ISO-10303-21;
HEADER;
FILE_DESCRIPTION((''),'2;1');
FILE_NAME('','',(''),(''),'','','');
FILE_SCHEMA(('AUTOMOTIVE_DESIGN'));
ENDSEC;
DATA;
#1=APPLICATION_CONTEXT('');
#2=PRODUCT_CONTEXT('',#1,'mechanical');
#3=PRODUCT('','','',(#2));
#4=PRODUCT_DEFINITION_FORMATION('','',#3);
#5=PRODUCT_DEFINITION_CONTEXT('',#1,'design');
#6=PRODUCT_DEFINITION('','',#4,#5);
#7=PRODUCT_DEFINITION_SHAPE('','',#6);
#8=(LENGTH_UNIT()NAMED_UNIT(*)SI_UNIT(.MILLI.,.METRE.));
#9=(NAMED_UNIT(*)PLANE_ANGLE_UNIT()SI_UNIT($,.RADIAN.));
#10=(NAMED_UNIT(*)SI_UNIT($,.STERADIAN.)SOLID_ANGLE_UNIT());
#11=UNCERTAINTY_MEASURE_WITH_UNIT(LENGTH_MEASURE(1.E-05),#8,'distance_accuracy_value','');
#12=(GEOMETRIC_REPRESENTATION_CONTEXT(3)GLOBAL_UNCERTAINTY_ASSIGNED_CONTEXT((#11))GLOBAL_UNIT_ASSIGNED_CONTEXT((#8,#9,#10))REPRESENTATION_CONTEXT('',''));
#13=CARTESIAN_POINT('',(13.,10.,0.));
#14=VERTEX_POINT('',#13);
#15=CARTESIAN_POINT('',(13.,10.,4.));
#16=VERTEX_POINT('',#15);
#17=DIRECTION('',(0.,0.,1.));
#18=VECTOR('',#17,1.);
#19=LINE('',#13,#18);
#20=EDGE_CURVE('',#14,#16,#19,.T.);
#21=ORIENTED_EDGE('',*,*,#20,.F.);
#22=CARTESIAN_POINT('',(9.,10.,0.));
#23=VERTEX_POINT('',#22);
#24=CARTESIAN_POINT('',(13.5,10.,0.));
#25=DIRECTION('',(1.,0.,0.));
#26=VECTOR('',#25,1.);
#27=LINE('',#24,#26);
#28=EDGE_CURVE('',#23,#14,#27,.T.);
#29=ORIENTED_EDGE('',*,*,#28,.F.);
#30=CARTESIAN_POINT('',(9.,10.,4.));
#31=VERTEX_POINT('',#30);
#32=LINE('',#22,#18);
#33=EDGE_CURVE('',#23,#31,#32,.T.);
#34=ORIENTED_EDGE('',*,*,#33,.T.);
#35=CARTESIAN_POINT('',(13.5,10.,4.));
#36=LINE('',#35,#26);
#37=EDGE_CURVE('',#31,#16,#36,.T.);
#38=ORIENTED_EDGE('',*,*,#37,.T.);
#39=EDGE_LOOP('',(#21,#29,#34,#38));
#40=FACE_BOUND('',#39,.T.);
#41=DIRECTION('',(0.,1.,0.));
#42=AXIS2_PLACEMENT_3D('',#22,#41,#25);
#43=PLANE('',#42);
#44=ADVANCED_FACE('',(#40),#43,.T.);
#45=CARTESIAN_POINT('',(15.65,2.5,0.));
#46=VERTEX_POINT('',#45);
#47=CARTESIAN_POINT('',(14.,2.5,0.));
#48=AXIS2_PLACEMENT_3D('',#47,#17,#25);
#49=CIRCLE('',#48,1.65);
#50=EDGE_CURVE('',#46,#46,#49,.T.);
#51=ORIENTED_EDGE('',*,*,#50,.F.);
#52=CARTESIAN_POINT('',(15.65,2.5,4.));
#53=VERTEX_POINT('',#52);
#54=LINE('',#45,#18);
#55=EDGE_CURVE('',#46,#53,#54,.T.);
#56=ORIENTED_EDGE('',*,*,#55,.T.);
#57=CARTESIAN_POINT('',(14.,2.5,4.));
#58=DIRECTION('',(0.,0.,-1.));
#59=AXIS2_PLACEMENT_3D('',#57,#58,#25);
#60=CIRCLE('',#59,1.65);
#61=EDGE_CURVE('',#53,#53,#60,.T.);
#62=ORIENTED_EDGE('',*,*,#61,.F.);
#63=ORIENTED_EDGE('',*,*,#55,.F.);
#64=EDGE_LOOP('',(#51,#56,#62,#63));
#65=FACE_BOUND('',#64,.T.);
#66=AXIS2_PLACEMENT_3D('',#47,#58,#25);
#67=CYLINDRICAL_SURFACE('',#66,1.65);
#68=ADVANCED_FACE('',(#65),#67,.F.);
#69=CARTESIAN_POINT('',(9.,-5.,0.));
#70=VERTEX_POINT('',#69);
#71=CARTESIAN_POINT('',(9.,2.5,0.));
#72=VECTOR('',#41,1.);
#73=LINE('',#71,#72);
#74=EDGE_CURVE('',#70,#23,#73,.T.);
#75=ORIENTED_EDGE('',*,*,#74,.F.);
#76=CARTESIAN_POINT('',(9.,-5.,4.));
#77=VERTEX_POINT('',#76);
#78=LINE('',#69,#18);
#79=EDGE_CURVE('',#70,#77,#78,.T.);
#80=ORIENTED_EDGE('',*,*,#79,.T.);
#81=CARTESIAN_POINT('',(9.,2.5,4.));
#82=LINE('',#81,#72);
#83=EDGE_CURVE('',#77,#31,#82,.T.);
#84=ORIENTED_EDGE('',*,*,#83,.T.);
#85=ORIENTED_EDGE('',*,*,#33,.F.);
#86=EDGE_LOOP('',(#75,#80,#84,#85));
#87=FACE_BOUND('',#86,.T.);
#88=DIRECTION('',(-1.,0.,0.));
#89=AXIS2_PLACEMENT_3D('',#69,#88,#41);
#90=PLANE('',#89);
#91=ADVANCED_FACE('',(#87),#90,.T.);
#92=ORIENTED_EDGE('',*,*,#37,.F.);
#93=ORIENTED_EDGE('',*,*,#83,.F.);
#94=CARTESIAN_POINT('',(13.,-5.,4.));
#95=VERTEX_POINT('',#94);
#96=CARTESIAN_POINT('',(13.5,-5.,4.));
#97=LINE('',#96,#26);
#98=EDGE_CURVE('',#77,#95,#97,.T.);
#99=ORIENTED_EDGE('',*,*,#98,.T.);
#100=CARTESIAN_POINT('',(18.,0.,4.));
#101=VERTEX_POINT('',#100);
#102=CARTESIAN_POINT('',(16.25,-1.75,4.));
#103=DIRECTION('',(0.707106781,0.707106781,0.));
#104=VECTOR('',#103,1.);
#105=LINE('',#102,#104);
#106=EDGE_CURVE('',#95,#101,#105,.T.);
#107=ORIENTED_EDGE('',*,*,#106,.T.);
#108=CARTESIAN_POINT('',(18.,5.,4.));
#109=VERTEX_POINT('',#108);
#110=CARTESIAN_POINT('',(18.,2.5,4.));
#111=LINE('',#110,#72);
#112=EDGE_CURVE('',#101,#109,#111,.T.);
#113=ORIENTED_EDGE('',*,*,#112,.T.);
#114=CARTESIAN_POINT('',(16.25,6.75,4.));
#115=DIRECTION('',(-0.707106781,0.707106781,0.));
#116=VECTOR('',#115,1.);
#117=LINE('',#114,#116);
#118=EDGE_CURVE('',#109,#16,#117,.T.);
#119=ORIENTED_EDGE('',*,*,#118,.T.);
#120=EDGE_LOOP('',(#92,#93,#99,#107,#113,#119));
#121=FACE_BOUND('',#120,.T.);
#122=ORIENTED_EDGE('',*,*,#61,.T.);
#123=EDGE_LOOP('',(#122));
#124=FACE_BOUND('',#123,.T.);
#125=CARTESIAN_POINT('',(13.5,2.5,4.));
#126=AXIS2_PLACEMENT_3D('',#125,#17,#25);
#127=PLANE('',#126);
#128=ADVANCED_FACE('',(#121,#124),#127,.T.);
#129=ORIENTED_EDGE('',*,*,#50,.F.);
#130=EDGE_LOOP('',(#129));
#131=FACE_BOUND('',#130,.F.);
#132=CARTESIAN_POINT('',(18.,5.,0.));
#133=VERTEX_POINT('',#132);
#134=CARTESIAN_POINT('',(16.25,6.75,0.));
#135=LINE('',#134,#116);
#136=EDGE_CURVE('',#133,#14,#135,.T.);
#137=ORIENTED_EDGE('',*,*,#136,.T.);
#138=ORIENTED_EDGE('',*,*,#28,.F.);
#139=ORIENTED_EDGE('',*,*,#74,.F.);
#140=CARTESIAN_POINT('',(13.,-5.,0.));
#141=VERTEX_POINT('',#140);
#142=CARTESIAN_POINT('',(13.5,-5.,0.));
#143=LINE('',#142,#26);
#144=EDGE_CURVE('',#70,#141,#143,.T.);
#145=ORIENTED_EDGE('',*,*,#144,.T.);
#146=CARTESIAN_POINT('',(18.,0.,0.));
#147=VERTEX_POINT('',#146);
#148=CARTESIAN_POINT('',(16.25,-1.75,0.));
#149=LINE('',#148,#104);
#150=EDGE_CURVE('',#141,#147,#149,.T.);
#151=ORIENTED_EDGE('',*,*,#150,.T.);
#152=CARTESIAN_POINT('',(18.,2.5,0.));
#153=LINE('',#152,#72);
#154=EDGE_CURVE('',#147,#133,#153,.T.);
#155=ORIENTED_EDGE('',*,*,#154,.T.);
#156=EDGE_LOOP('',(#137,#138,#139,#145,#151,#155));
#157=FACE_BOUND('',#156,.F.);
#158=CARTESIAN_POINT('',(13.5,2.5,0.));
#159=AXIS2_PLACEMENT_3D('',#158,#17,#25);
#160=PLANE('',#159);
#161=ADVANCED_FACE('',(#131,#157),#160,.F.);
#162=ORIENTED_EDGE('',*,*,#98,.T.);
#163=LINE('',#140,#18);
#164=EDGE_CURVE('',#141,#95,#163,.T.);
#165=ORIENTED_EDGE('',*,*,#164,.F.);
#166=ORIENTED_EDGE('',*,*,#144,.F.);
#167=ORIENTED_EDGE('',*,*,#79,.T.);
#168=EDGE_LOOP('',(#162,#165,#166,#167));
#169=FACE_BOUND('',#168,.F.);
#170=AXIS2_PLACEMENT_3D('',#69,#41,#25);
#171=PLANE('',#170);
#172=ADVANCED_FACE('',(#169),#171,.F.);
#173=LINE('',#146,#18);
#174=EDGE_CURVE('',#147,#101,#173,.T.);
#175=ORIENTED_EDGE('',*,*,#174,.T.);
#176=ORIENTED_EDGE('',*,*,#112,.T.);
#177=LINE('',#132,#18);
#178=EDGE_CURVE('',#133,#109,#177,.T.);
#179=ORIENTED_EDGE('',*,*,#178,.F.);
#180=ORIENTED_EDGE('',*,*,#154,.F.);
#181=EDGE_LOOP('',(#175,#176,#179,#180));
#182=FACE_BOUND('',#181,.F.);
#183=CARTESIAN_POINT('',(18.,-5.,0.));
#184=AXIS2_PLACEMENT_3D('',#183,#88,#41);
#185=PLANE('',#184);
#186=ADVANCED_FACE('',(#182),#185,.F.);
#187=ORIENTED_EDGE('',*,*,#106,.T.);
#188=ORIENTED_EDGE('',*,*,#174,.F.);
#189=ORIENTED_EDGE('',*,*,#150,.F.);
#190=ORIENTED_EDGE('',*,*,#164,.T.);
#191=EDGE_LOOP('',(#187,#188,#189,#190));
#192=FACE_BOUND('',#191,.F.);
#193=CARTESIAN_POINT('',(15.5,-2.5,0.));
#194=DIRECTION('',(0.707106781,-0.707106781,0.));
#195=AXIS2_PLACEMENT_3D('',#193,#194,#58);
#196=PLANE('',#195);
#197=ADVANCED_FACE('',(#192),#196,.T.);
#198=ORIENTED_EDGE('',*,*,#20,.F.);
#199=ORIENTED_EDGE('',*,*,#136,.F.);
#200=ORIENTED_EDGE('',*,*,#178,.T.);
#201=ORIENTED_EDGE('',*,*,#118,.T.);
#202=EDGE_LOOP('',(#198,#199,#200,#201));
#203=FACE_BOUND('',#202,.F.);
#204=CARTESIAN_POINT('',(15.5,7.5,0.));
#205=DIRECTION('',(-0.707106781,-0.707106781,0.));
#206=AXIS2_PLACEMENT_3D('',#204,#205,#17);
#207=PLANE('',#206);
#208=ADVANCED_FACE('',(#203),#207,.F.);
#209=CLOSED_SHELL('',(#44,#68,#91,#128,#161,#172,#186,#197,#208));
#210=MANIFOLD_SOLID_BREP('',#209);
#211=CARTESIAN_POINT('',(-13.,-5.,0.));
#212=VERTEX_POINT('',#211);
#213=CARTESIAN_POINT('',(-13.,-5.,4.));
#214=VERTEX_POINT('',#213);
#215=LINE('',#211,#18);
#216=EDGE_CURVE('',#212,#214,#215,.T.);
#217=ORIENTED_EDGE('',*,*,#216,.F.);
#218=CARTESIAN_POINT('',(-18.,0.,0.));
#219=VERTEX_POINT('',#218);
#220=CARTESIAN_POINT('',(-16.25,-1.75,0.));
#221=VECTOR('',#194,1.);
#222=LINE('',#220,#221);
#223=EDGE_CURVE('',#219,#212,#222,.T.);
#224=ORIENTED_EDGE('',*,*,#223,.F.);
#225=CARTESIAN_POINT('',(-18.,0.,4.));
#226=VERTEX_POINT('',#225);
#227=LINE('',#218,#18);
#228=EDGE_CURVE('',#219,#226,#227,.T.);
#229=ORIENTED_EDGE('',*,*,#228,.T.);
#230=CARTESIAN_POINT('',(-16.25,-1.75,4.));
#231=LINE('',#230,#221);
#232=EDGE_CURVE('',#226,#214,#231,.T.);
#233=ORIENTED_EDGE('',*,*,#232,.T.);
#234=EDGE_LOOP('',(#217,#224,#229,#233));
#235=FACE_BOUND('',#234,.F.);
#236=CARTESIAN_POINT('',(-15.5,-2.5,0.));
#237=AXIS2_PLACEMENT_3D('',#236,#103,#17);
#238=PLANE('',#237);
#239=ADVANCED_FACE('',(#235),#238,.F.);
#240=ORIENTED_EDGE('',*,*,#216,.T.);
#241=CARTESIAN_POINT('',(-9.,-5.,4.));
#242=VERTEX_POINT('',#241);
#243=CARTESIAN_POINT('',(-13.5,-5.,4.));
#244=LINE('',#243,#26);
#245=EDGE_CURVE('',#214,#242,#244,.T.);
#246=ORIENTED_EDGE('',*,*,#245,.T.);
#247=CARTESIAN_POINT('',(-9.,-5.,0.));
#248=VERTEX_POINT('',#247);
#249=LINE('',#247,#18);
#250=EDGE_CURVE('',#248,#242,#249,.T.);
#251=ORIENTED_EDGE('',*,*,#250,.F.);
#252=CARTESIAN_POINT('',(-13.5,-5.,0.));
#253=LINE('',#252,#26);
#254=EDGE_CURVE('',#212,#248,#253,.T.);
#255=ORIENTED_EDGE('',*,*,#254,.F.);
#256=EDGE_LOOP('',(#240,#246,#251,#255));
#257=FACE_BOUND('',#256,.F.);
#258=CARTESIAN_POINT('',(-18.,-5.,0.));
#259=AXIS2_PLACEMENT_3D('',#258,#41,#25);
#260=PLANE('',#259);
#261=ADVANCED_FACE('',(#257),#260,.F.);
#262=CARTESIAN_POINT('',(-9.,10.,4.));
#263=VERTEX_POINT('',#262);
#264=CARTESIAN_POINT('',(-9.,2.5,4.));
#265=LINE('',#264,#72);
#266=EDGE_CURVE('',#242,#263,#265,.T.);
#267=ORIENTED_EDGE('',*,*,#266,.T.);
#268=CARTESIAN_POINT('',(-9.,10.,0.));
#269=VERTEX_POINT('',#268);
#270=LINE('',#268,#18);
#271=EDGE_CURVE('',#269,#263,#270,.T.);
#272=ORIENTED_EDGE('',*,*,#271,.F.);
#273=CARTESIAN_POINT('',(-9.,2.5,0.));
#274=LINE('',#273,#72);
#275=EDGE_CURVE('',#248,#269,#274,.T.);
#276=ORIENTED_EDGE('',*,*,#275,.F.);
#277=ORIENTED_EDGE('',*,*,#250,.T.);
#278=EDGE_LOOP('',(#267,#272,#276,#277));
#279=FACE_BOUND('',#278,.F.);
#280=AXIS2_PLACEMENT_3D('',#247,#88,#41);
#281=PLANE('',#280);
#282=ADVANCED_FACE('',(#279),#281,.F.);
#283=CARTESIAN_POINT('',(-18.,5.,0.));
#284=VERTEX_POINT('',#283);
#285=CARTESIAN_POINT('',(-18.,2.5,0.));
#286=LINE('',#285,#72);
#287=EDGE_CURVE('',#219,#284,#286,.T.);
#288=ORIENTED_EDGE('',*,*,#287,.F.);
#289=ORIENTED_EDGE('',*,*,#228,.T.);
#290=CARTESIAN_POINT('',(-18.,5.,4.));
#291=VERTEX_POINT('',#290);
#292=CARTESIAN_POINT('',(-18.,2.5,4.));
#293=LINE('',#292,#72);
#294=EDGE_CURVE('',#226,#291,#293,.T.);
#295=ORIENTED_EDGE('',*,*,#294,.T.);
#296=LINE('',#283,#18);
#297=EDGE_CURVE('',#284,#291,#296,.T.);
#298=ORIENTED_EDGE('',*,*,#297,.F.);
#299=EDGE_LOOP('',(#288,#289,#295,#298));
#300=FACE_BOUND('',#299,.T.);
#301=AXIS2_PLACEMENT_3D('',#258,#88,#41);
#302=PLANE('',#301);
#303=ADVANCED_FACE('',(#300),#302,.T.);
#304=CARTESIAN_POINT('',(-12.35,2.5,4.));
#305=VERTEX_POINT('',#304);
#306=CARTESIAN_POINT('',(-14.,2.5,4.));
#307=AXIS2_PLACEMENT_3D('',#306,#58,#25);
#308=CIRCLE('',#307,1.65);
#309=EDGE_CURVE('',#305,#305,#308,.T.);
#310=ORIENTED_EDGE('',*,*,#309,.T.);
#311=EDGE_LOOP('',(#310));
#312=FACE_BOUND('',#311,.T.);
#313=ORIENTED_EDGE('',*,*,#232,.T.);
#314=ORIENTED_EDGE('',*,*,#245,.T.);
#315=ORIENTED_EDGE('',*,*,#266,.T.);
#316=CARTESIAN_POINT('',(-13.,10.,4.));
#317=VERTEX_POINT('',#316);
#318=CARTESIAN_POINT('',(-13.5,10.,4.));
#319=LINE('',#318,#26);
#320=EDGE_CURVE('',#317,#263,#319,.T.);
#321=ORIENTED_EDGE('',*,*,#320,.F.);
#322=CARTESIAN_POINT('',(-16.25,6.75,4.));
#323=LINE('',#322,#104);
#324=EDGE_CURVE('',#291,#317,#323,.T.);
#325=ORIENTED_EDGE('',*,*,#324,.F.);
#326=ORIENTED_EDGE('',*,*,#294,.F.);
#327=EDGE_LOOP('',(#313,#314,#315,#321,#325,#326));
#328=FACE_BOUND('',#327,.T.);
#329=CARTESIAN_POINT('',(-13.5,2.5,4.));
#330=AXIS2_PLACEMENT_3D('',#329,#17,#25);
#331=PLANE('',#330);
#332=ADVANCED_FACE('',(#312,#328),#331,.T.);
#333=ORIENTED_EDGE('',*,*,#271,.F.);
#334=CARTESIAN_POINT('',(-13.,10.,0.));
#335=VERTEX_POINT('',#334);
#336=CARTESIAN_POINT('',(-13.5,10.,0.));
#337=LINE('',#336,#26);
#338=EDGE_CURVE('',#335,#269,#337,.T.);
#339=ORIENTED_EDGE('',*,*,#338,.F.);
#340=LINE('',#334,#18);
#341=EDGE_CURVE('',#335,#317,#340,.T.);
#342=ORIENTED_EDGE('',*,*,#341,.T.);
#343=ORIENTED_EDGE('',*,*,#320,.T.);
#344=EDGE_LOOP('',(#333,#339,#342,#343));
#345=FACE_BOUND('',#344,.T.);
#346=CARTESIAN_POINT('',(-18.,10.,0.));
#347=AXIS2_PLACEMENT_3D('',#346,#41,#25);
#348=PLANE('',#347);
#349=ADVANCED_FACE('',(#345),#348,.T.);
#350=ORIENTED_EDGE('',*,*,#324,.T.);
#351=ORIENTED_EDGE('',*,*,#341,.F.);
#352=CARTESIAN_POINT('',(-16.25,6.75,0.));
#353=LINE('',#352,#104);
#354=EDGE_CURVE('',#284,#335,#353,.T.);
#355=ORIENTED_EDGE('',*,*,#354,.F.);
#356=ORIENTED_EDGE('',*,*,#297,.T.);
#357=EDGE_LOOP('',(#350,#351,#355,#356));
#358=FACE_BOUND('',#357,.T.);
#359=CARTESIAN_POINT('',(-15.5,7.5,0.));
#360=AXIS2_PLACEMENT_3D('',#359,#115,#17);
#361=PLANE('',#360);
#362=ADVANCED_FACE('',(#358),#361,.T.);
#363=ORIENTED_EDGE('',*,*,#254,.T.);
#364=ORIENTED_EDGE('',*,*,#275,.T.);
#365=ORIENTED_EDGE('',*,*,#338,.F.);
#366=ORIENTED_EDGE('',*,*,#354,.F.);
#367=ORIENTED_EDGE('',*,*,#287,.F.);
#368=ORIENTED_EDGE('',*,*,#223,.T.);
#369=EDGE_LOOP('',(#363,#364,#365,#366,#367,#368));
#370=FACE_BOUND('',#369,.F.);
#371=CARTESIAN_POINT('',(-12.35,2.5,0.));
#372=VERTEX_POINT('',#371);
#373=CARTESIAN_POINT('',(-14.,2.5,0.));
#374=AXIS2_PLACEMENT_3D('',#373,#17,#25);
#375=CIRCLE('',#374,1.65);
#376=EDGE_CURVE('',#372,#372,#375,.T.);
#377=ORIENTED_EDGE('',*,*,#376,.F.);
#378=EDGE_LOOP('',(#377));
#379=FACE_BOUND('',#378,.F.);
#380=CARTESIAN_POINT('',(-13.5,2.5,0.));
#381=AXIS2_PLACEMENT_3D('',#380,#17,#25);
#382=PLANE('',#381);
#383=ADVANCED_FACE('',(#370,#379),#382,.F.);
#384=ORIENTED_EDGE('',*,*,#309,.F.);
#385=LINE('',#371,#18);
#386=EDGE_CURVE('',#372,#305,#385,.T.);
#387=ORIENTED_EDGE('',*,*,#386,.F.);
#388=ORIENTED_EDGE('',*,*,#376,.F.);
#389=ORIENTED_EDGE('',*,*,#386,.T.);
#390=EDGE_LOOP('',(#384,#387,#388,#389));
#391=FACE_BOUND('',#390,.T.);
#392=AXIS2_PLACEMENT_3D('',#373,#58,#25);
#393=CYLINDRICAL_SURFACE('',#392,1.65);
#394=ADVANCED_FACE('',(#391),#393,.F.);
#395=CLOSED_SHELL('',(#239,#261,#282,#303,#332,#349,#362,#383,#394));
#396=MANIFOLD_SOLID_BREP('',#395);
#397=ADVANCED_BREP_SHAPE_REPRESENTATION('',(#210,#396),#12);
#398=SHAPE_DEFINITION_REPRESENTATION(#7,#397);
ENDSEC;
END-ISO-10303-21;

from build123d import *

# Parameters (mm, degrees)
CYLINDER_R        = 1.65
CYLINDER_DEPTH    = 10
CYLINDER001_R     = 1.65
CYLINDER001_DEPTH = 10
BOX_W             = 9
BOX_H             = 15
BOX_DEPTH         = 4
BOX001_W          = 9
BOX001_H          = 15
BOX001_DEPTH      = 4
CHAMFER_SIZE      = 5


with BuildPart() as cylinder:
    # Cylinder → Cylinder (new body)
    with BuildSketch(Plane(origin=(-14, 2.5, 0), x_dir=(1, 0, 0), z_dir=(0, 0, 1))):
        Circle(CYLINDER_R)
    extrude(amount=CYLINDER_DEPTH)


with BuildPart() as fusion:
    # Cylinder001 → Cylinder001 (new body)
    with BuildSketch(Plane(origin=(14, 2.5, 0), x_dir=(1, 0, 0), z_dir=(0, 0, 1))):
        Circle(CYLINDER001_R)
    extrude(amount=CYLINDER001_DEPTH)

    # Fusion: union Cylinder
    add(cylinder.part)


with BuildPart() as cube:
    # Box → Box (new body)
    with BuildSketch(Plane(origin=(9, -5, 0), x_dir=(1, 0, 0), z_dir=(0, 0, 1))):
        with Locations((4.5, 7.5)):
            Rectangle(BOX_W, BOX_H)
    extrude(amount=BOX_DEPTH)


with BuildPart() as cut:
    # Box001 → Box001 (new body)
    with BuildSketch(Plane(origin=(-18, -5, 0), x_dir=(1, 0, 0), z_dir=(0, 0, 1))):
        with Locations((4.5, 7.5)):
            Rectangle(BOX001_W, BOX001_H)
    extrude(amount=BOX001_DEPTH)

    # Fusion001: union Cube
    add(cube.part)

    # Chamfer
    chamfer_edges = [cut.edges().sort_by_distance(p)[0] for p in [
        (-18, -5, 2),
        (-18, 10, 2),
        (18, -5, 2),
        (18, 10, 2),
    ]]
    chamfer(chamfer_edges, length=CHAMFER_SIZE)

    # Cut: cut Fusion
    add(fusion.part, mode=Mode.SUBTRACT)


solid = cut.part
